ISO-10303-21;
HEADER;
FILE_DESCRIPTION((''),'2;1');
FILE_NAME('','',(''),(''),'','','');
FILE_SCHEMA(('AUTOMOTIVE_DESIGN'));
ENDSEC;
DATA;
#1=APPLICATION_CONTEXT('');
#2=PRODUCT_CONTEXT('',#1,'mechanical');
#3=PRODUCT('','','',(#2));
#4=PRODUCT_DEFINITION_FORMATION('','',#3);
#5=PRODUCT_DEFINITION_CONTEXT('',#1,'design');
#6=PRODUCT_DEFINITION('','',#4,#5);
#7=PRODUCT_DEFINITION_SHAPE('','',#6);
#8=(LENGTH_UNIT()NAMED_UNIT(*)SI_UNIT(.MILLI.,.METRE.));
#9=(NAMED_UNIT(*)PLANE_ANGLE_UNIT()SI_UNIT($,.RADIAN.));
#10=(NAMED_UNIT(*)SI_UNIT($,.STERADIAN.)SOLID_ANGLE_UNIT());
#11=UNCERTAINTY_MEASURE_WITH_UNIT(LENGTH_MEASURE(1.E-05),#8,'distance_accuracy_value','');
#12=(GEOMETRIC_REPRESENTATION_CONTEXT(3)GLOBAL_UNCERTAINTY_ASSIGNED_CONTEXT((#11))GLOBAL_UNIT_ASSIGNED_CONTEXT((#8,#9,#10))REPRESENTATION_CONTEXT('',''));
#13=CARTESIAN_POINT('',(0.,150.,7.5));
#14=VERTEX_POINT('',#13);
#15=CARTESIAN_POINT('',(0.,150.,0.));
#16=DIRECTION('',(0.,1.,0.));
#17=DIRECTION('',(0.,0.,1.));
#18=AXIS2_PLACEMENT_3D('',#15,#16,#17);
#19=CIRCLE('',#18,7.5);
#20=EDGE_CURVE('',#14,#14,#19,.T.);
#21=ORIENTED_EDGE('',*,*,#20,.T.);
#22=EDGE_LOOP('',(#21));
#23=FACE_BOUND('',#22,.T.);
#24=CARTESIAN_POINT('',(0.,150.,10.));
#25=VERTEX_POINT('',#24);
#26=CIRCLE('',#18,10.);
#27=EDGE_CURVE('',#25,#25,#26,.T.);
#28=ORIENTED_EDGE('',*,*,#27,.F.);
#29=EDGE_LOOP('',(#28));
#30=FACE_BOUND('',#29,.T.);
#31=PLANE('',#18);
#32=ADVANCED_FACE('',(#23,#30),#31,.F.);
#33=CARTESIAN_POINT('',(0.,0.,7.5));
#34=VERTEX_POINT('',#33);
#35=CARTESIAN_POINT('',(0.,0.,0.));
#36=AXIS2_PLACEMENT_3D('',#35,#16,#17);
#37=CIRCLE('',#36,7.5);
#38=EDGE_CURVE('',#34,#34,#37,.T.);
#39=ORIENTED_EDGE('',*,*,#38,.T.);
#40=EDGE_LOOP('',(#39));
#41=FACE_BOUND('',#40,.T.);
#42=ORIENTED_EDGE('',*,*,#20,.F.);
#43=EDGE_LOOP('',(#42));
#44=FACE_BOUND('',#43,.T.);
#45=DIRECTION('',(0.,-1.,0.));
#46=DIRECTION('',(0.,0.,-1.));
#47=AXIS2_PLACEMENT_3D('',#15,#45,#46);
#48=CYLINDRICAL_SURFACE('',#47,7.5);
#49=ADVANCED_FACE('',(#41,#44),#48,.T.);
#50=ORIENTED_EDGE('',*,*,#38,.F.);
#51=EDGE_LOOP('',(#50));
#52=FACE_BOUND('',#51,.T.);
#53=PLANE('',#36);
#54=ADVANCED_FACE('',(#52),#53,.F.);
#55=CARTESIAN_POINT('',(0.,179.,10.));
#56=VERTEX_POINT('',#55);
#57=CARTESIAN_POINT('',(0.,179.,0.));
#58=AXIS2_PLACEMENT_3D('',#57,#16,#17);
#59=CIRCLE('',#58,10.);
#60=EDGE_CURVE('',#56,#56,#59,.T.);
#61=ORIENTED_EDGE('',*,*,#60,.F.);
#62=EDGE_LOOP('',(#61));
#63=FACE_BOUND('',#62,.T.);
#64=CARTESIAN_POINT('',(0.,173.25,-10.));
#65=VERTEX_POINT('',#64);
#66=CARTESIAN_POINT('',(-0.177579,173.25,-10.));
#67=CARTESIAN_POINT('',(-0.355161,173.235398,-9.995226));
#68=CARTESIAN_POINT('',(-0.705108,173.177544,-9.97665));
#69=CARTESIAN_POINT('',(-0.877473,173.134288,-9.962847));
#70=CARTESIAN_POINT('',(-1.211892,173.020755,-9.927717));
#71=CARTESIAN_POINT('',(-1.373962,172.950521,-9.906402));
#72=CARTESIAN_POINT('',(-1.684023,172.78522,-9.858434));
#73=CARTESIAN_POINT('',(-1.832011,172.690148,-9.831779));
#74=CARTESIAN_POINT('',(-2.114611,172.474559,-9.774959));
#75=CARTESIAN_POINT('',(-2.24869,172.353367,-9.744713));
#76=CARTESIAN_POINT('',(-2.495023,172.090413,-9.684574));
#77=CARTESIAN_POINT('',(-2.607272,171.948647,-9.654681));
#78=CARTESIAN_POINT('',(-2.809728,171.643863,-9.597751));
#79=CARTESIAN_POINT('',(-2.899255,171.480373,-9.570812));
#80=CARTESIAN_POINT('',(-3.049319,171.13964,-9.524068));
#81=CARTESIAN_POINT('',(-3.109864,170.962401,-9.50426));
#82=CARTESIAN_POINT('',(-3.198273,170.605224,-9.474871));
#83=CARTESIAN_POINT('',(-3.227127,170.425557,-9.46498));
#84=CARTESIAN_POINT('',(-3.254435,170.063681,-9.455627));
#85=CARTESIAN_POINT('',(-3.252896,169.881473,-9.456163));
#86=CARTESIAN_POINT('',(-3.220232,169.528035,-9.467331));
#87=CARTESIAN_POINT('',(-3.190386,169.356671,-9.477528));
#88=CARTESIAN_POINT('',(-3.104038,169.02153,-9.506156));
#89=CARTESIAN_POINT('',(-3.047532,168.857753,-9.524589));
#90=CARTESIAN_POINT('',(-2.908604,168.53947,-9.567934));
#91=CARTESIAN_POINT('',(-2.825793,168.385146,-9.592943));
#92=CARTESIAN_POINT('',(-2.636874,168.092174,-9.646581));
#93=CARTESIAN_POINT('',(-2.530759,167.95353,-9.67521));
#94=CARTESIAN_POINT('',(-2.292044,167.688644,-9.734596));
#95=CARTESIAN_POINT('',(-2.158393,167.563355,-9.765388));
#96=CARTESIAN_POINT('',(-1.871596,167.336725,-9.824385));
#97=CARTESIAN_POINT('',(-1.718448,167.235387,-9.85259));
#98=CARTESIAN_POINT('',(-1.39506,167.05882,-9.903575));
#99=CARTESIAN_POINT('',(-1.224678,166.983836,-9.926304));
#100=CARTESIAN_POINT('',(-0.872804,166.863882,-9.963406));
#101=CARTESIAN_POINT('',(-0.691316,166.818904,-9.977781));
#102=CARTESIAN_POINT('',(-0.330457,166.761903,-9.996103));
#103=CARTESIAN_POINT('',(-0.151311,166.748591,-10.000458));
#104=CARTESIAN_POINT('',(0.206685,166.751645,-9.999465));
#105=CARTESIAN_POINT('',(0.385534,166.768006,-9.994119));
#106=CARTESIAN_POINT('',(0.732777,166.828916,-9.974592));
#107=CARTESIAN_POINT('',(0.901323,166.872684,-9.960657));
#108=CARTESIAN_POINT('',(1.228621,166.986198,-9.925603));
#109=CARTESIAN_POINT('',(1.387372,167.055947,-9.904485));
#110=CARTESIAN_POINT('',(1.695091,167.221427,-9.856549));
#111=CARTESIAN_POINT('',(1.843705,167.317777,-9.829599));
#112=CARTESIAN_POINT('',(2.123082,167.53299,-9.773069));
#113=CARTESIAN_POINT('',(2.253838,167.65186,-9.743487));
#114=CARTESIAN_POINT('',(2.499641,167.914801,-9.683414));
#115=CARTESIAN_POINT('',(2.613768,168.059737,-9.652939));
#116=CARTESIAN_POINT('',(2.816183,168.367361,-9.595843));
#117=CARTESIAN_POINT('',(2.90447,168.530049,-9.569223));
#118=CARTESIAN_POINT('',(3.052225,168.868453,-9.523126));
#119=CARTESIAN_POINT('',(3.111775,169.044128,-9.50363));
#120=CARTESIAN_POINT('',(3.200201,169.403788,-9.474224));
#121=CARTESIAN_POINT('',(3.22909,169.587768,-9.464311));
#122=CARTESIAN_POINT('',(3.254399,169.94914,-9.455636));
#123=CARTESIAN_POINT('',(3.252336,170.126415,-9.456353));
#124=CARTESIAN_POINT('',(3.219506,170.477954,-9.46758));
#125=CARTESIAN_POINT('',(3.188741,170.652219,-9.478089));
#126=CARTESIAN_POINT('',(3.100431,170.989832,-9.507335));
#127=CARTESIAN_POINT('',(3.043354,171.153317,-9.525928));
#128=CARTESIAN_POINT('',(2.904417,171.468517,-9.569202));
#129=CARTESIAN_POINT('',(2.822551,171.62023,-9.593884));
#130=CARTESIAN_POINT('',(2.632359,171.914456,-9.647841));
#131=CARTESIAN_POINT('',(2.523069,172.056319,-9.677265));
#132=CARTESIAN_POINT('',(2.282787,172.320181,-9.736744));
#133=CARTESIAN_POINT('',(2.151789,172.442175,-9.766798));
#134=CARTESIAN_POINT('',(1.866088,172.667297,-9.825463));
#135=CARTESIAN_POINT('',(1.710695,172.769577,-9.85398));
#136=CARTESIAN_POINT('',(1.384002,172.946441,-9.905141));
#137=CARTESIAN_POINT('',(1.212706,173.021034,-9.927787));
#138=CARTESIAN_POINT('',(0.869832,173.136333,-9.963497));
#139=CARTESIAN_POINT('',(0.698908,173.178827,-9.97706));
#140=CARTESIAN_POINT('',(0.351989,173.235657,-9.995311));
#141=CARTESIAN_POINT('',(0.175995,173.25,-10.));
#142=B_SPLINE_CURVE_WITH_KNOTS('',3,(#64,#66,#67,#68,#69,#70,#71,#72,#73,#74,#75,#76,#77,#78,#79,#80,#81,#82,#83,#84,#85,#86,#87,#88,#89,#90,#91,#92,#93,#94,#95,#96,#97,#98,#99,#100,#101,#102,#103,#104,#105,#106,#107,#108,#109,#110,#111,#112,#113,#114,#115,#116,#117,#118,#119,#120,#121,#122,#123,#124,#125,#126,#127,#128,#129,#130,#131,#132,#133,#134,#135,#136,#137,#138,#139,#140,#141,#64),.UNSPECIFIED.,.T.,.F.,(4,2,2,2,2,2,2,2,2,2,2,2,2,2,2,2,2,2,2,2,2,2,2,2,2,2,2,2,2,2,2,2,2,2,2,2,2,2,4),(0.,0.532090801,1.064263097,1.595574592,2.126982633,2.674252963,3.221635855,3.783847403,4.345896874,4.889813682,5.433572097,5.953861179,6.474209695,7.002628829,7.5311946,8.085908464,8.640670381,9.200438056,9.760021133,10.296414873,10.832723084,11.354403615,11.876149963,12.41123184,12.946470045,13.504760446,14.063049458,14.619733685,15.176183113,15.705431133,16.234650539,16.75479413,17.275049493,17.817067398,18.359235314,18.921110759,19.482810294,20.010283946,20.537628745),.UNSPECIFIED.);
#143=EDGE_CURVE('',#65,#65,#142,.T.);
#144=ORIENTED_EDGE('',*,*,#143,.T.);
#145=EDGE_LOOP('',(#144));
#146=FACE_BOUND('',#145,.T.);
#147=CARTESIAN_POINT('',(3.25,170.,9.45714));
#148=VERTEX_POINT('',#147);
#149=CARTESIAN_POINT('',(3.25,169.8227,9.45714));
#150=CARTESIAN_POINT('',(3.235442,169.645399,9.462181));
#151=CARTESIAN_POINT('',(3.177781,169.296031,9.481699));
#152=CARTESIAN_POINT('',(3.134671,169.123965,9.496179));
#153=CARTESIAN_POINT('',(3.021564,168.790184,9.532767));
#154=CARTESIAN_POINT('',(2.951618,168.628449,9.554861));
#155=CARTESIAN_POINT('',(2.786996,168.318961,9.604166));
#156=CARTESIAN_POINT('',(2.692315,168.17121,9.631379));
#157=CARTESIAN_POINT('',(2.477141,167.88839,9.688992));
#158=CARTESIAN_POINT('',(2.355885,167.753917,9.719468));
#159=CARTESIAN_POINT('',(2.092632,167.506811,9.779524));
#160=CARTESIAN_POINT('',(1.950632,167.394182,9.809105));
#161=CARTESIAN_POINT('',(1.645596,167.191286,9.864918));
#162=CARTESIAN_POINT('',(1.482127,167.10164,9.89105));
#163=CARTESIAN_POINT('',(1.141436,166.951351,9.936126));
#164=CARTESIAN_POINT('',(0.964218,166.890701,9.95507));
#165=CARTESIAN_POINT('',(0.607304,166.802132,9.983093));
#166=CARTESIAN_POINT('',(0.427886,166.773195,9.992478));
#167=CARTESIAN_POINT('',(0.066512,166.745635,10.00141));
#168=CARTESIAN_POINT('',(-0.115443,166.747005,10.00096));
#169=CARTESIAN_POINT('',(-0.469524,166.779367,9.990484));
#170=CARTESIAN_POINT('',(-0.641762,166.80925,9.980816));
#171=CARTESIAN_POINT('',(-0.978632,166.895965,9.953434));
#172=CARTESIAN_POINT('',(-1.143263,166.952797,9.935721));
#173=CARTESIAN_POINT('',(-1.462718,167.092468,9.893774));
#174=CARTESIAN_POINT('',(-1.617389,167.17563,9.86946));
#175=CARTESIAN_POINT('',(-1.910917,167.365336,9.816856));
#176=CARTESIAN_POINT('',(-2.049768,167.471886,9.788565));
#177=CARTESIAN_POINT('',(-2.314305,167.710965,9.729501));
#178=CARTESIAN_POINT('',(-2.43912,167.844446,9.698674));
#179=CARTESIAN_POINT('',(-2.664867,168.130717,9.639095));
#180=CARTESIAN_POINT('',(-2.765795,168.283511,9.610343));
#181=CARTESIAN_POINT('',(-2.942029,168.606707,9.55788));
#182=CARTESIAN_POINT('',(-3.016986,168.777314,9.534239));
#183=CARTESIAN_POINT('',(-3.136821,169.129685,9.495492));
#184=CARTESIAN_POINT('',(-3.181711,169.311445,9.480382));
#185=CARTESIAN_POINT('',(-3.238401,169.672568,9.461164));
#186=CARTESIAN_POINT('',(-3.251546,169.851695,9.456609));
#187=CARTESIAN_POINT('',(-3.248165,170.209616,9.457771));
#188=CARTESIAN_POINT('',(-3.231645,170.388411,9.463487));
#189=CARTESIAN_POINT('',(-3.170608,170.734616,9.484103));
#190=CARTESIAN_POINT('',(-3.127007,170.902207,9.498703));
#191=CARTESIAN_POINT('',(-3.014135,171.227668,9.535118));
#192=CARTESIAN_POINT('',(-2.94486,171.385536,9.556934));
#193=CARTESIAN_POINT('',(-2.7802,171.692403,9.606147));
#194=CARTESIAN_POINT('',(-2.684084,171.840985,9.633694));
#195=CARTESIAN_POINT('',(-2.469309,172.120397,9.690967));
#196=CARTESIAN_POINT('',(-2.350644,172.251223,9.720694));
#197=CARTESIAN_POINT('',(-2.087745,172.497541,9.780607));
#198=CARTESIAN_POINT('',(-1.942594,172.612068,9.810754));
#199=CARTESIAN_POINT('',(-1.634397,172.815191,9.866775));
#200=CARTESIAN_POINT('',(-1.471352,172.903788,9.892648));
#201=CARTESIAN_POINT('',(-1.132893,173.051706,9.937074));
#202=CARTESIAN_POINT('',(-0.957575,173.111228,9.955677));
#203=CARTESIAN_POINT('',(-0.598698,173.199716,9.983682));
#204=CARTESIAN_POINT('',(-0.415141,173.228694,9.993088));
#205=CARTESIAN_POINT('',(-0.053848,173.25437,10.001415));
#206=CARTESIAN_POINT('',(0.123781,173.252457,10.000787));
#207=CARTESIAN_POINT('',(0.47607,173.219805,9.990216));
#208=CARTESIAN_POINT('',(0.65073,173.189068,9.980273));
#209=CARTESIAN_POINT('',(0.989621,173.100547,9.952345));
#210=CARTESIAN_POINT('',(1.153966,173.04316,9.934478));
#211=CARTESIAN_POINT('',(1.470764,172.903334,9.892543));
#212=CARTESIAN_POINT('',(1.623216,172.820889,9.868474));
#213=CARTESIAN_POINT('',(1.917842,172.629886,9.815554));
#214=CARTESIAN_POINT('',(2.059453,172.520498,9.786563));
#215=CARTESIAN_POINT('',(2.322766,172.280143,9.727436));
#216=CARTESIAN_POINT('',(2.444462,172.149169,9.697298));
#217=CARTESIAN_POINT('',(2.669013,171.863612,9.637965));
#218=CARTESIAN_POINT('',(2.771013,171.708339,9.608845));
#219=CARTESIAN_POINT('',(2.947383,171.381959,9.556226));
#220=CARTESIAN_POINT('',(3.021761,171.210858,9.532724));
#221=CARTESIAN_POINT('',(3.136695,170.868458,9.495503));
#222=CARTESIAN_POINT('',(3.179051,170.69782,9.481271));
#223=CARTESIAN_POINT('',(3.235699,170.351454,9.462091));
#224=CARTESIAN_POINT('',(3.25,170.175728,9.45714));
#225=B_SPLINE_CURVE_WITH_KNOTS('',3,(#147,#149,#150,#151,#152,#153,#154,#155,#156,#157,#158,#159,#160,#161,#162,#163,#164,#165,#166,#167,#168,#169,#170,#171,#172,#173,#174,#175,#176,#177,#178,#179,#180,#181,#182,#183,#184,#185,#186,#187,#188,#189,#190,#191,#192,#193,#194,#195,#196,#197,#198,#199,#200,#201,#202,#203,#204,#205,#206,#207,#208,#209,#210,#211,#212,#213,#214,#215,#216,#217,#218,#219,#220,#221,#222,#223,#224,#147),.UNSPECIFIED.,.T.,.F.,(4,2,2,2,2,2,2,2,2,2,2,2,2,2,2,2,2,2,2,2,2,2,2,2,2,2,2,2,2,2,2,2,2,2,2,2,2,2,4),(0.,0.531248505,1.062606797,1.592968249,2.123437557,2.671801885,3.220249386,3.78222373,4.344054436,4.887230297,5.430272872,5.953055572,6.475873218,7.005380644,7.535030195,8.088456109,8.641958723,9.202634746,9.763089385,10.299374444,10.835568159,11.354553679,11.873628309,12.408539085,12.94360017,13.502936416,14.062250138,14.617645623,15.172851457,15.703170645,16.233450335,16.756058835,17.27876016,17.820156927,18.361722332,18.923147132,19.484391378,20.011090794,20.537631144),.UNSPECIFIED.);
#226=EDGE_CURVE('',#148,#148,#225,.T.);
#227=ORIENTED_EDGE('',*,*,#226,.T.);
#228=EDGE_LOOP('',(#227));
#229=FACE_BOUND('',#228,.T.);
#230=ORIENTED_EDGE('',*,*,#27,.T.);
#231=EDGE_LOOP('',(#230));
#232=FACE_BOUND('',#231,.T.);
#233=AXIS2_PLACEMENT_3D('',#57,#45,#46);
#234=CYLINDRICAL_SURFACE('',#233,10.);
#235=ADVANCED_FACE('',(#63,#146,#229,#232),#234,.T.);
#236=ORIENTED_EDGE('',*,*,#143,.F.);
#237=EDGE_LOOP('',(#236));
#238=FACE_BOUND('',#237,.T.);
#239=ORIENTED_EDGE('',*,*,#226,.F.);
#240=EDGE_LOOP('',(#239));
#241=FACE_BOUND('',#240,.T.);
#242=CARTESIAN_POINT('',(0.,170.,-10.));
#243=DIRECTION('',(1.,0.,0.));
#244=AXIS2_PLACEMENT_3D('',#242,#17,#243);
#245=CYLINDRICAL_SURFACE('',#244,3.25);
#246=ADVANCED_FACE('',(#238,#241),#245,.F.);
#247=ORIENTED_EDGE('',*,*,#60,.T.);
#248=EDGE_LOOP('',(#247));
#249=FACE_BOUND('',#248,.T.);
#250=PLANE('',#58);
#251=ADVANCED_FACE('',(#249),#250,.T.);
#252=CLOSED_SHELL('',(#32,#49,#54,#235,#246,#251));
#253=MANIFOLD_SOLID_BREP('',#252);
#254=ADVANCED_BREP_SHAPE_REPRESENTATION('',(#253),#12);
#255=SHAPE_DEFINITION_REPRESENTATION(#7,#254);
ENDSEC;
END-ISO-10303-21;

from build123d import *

# Parameters (mm, degrees)
SKETCH_1_R               = 7.5
EXTRUDE_1_DEPTH          = 150
SKETCH_2_R               = 10
EXTRUDE_2_DEPTH          = 29
CUT_EXTRUDE_1_DEPTH      = 180.55779014
CUT_EXTRUDE_1_DEPTH_BACK = 180.55779014
SKETCH_3_R               = 3.25


with BuildPart() as part:
    # 草图1 → 凸台-拉伸1 (new body)
    with BuildSketch(Plane(origin=(0, 0, 0), x_dir=(1, 0, 0), z_dir=(0, 1, 0))):
        with Locations(Location((0, 0, 0), (0, 0, 270))):
            Circle(SKETCH_1_R)
    extrude(amount=EXTRUDE_1_DEPTH)

    # 草图2 → 凸台-拉伸2 (add)
    with BuildSketch(Plane(origin=(0, 150, 0), x_dir=(1, 0, 0), z_dir=(0, 1, 0))):
        with Locations(Location((0, 0, 0), (0, 0, 90))):
            Circle(SKETCH_2_R)
    extrude(amount=EXTRUDE_2_DEPTH)

    # 草图3 → 切除-拉伸1 (cut, two sides: drawn at the far end of the back side and taken through both)
    with BuildSketch(Plane.XY.offset(-CUT_EXTRUDE_1_DEPTH_BACK)):
        with Locations(Location((0, 170, 0), (0, 0, 89.999999989))):
            Circle(SKETCH_3_R)
    extrude(amount=CUT_EXTRUDE_1_DEPTH + CUT_EXTRUDE_1_DEPTH_BACK, mode=Mode.SUBTRACT)


solid = part.part
